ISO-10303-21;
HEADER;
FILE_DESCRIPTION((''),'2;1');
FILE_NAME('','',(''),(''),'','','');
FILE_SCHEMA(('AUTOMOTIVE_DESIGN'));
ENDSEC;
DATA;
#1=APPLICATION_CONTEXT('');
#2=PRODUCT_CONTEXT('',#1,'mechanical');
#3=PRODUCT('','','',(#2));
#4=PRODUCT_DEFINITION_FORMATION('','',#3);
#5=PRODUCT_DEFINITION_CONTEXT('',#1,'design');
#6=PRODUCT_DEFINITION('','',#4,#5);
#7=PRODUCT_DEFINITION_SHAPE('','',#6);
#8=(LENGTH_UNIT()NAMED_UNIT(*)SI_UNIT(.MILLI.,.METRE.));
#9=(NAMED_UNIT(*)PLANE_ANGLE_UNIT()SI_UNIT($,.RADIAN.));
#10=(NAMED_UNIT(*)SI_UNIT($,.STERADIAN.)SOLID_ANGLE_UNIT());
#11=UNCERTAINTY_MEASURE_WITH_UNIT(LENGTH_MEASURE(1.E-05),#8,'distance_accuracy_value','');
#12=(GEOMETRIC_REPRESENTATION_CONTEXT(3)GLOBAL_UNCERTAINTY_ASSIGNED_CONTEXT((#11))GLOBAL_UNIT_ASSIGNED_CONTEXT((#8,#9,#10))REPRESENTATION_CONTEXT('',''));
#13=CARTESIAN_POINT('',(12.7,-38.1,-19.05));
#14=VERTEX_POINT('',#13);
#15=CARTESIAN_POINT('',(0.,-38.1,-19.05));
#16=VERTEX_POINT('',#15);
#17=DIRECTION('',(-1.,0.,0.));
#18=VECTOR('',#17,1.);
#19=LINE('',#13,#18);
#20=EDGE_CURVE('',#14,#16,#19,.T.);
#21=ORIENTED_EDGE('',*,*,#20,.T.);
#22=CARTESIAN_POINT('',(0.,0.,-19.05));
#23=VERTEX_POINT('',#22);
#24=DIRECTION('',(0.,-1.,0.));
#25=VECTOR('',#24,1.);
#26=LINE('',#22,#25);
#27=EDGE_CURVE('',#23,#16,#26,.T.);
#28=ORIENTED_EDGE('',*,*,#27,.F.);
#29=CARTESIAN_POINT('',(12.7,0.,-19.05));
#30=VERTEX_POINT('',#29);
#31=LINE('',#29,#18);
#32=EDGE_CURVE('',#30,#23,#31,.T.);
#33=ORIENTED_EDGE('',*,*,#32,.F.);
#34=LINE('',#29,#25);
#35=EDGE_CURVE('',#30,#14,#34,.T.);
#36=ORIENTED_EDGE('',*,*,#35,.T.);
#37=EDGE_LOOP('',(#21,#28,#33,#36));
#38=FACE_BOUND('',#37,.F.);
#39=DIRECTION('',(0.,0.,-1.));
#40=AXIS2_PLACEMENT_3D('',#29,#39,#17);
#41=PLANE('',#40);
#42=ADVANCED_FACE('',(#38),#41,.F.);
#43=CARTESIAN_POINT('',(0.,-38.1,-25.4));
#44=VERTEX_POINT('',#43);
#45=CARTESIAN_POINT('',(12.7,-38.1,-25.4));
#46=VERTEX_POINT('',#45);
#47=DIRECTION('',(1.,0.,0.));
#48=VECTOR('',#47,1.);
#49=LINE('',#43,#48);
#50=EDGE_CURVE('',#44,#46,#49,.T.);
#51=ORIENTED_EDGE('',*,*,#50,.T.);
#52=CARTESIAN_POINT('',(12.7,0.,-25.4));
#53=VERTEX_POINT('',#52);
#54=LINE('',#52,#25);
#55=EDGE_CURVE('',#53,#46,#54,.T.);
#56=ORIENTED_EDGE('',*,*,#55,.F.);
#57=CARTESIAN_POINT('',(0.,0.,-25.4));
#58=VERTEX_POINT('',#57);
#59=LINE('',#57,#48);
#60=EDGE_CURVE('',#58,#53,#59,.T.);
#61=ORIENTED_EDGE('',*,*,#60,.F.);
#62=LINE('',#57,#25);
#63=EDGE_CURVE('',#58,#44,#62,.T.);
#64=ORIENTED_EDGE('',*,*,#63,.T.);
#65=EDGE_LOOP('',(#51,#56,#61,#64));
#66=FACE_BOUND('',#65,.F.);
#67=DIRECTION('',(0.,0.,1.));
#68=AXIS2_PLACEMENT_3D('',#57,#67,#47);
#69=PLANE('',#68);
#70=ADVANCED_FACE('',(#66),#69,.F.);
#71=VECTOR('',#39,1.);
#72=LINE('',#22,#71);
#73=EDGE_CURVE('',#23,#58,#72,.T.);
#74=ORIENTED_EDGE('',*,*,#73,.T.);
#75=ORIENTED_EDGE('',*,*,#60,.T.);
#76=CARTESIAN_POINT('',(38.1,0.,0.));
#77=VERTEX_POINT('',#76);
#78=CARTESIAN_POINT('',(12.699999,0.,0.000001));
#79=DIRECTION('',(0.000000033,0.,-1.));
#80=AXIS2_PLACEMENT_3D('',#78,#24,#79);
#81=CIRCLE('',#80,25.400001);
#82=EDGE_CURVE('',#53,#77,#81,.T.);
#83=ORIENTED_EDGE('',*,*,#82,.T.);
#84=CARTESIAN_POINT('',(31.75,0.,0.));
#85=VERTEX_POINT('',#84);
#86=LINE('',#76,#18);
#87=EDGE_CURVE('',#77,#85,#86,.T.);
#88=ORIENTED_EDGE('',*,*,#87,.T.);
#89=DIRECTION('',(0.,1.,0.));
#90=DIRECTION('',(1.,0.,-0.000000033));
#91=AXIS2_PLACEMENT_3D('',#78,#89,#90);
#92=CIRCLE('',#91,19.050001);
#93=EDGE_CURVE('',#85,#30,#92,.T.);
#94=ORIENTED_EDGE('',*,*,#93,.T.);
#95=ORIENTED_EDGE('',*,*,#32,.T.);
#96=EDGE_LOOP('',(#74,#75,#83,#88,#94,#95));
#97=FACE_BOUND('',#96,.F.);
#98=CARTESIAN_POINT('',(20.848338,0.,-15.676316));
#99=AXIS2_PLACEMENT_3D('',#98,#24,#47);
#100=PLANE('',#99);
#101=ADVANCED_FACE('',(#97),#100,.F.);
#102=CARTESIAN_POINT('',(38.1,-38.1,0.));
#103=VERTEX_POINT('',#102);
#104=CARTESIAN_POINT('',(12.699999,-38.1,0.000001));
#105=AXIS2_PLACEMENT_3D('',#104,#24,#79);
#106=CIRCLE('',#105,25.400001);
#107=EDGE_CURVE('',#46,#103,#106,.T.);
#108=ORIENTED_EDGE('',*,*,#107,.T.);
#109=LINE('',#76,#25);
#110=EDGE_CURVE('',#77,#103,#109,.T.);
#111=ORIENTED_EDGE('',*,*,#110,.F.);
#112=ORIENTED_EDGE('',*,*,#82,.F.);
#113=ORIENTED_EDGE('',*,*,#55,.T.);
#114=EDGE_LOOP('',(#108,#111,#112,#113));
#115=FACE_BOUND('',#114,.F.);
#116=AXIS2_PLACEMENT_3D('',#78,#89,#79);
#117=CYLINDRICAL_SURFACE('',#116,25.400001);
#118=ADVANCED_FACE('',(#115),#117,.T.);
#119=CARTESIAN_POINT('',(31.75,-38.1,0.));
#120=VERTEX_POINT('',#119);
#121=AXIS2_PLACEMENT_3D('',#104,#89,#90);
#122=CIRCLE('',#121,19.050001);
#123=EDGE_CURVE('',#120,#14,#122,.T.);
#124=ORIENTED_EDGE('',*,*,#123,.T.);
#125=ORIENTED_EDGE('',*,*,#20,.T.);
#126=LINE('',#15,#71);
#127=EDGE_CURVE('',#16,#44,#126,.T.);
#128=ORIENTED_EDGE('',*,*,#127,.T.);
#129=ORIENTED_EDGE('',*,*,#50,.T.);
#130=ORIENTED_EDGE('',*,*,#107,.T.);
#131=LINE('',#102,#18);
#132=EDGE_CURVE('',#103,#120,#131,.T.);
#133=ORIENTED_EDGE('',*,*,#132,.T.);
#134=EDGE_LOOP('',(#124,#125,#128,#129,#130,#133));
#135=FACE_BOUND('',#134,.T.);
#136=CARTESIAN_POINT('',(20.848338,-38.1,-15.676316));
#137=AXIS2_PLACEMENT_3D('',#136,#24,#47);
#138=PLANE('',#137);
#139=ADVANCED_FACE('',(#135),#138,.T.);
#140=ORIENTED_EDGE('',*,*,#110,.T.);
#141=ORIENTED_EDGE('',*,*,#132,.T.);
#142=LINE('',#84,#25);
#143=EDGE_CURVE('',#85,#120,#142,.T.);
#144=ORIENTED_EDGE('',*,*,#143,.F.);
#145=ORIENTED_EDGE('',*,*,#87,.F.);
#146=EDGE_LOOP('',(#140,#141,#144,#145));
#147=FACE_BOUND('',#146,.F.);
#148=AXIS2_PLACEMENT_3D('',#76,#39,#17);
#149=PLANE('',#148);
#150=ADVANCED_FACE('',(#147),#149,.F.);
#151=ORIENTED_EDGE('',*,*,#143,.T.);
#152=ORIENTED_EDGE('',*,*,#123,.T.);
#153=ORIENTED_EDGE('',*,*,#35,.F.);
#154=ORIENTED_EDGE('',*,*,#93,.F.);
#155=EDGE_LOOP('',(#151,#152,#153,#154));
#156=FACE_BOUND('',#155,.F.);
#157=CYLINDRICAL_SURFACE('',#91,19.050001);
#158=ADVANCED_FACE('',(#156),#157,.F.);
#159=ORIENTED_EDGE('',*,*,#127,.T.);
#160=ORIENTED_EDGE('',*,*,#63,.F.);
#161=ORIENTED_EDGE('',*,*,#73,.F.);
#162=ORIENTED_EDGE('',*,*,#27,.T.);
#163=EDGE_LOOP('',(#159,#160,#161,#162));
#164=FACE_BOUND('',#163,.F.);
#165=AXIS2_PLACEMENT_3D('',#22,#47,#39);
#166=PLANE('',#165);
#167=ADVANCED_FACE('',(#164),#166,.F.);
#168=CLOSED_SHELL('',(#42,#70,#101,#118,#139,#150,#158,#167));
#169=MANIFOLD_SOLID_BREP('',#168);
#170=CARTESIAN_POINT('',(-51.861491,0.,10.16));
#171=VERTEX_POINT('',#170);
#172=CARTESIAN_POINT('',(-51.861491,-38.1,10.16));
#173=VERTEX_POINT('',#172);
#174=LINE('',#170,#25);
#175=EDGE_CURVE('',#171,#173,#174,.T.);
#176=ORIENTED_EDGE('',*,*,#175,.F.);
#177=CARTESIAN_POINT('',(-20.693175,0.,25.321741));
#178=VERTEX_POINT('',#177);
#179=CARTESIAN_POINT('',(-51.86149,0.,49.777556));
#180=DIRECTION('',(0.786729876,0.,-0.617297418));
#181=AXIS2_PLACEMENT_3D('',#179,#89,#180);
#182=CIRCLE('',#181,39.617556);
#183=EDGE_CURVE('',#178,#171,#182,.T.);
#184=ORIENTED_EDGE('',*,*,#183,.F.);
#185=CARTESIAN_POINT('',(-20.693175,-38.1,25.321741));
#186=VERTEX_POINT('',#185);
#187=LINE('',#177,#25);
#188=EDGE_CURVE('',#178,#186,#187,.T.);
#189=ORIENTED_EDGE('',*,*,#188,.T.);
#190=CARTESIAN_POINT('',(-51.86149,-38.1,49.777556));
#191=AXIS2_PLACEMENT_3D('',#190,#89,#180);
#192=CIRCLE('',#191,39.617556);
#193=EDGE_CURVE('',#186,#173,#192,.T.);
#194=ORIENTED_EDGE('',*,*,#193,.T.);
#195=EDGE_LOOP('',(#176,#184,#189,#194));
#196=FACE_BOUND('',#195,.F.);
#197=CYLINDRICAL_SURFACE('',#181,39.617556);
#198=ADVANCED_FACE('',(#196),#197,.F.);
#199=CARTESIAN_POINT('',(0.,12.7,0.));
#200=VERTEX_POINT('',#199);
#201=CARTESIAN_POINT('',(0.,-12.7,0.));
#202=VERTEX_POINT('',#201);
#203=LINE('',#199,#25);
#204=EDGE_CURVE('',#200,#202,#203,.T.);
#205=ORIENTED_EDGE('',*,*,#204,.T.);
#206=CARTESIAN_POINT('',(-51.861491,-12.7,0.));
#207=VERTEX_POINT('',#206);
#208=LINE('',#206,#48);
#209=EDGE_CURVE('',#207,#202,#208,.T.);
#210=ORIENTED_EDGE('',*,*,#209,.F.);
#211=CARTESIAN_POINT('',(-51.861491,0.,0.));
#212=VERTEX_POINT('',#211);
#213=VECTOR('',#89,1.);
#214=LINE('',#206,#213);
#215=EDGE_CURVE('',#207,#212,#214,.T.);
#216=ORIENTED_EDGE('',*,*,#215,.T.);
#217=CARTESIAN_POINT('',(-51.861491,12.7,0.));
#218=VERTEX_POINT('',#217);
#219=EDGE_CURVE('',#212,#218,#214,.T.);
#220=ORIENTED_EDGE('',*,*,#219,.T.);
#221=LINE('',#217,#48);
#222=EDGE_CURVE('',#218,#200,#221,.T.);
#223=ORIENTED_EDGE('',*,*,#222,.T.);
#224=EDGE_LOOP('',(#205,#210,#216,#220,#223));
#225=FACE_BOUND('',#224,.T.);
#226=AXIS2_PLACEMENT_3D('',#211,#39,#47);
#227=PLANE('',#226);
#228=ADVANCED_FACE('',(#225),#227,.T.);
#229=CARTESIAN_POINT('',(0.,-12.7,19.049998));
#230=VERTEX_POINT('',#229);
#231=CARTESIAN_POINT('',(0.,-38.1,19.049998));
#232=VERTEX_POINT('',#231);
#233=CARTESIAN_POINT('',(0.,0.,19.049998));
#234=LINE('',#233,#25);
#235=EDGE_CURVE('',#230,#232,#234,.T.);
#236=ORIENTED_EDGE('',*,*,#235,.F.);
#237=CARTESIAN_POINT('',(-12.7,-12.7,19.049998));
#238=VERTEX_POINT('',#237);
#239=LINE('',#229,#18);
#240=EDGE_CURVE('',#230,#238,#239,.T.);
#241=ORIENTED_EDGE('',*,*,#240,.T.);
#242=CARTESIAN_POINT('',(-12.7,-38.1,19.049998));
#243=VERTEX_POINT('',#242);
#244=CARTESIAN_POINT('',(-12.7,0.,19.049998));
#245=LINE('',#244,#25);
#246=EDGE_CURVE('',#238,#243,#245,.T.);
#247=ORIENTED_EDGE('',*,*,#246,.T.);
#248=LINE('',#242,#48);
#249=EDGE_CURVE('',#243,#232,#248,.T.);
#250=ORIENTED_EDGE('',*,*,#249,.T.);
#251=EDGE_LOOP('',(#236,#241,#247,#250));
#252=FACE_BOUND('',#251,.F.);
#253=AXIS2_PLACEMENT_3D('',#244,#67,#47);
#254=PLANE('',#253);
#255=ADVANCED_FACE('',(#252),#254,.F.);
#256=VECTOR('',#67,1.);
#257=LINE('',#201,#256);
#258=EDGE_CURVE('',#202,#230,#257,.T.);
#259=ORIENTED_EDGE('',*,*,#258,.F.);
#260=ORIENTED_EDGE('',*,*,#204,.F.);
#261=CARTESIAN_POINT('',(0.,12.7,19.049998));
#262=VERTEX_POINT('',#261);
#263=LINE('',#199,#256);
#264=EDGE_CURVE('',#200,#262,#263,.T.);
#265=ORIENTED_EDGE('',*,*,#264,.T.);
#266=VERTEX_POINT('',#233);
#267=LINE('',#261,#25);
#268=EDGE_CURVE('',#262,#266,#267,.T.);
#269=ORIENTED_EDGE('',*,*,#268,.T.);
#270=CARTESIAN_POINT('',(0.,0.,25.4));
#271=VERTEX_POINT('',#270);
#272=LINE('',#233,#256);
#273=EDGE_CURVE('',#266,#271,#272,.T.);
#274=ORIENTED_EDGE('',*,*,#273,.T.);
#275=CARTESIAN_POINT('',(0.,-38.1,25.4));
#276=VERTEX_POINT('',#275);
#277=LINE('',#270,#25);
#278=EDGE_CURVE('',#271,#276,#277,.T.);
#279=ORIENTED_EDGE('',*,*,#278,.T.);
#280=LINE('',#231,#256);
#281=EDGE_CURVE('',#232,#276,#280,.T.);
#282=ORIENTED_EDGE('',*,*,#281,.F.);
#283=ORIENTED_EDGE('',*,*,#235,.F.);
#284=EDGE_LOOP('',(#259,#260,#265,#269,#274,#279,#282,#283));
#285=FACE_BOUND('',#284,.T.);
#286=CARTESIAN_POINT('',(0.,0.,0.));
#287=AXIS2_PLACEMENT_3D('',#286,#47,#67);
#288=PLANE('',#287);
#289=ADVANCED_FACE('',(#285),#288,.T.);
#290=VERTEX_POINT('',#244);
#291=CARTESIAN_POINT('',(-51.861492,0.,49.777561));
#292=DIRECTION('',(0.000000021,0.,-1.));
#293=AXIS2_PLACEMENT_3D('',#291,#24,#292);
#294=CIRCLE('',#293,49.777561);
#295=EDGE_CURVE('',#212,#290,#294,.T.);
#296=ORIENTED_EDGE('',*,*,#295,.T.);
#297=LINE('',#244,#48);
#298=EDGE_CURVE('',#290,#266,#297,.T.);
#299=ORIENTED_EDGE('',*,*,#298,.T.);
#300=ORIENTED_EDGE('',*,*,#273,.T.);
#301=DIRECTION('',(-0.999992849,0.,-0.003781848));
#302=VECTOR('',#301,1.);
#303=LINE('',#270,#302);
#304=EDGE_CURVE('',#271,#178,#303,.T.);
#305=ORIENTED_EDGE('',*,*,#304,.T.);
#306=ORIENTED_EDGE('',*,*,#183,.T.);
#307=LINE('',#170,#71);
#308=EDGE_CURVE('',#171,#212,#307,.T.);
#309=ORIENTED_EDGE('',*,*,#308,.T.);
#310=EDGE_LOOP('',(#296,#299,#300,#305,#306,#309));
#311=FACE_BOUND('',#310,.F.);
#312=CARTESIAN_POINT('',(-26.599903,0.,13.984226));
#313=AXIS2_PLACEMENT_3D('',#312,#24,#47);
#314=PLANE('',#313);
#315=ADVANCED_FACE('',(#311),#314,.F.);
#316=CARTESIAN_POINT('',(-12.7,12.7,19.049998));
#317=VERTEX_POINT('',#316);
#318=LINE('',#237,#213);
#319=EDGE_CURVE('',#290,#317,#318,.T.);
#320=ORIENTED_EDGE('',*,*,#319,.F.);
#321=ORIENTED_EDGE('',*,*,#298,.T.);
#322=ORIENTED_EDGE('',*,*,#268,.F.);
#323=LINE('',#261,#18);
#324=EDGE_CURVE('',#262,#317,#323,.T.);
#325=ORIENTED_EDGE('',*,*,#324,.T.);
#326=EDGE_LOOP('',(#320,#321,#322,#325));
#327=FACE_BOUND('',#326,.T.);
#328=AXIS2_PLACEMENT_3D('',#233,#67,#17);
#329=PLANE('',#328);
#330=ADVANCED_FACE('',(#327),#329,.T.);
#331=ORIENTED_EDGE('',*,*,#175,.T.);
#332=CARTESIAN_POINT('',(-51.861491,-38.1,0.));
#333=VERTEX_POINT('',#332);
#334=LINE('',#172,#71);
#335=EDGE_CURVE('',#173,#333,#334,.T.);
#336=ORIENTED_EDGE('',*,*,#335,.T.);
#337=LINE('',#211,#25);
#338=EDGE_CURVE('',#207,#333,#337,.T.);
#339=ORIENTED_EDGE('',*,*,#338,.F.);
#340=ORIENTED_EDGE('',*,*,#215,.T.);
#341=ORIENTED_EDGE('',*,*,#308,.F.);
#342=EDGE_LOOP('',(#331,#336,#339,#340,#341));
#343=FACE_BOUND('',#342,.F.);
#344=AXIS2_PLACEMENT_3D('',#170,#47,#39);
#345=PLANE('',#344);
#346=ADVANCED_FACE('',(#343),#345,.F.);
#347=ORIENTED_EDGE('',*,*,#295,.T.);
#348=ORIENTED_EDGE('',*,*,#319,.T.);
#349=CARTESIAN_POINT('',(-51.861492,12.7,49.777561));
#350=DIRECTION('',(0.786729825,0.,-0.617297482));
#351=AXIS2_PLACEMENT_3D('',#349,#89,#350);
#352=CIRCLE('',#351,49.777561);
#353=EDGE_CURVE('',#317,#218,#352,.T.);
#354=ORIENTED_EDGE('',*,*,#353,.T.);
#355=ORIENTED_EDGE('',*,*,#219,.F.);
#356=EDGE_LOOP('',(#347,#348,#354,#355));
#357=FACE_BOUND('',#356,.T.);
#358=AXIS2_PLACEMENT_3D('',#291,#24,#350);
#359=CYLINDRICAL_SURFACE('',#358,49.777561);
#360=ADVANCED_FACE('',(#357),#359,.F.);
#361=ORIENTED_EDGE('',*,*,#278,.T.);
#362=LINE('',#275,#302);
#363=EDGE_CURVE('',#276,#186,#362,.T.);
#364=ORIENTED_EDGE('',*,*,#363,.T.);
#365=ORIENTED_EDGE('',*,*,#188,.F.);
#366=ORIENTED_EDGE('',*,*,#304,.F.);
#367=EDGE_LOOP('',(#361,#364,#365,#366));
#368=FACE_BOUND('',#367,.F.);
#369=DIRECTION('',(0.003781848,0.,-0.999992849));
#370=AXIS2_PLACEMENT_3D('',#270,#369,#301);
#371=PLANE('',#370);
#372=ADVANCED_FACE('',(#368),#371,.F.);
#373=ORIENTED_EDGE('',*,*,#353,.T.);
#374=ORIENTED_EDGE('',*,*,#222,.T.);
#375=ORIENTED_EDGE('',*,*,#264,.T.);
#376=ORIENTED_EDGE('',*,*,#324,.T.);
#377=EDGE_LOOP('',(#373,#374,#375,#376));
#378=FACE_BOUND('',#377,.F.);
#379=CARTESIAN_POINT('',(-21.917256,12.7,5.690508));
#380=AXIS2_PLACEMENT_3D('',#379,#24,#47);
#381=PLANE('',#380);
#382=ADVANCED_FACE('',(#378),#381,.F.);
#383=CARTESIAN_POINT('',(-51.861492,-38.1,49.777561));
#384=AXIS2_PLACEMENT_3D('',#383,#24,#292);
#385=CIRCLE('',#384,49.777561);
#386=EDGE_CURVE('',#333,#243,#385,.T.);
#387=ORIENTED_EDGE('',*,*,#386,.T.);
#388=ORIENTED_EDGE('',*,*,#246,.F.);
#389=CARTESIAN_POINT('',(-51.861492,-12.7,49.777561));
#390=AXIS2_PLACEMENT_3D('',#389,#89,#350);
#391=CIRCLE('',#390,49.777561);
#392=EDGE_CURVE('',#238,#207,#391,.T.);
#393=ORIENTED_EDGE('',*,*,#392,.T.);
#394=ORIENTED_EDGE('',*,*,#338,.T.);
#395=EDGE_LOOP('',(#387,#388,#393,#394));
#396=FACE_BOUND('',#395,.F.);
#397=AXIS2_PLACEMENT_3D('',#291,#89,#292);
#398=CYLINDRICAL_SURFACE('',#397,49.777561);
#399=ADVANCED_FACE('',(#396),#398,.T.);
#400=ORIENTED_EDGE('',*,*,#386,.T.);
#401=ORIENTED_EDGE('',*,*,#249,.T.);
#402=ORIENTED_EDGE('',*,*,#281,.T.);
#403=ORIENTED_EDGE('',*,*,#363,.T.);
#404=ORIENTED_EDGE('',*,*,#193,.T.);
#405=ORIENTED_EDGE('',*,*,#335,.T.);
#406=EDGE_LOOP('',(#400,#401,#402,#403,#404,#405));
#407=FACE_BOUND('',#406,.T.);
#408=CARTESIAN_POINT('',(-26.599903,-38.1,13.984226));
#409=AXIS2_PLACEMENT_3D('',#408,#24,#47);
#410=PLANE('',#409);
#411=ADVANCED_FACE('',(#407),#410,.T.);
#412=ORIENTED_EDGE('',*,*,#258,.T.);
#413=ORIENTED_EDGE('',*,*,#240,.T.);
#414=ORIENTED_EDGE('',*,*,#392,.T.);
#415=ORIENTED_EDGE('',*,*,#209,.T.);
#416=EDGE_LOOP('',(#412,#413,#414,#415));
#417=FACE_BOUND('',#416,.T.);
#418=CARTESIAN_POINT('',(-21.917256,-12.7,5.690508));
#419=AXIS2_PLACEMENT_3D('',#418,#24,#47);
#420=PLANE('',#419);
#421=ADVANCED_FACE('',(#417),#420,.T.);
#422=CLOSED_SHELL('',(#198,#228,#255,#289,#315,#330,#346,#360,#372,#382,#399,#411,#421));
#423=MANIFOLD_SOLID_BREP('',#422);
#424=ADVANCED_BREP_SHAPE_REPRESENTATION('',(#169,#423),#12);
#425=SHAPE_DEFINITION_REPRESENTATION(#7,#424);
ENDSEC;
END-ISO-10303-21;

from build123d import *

# Parameters (mm, degrees)
F1_DEPTH = 12.7
F2_DEPTH = 38.1


with BuildPart() as f1:
    # F0 (on Front) → F1 (new body, symmetric)
    with BuildSketch(Plane.XZ):
        with BuildLine():
            Line((-51.861491, 0), (0, 0))
            Line((0, 0), (0, 19.049998))
            Line((0, 19.049998), (-12.7, 19.049998))
            ThreePointArc((-12.7, 19.049998), (-30.086937, 5.01514), (-51.861491, 0))
        make_face()
    extrude(amount=F1_DEPTH, both=True)

    # F0 (on Front) → F2 (join)
    with BuildSketch(Plane.XZ):
        with BuildLine():
            Line((-51.861491, 10.16), (-51.861491, 0))
            ThreePointArc((-51.861491, 0), (-30.086937, 5.01514), (-12.7, 19.049998))
            Line((-12.7, 19.049998), (0, 19.049998))
            Line((0, 19.049998), (0, 25.4))
            Line((0, 25.4), (-20.693175, 25.321741))
            ThreePointArc((-20.693175, 25.321741), (-34.531299, 14.151509), (-51.861491, 10.16))
        make_face()
        with BuildLine():
            Line((12.7, -19.05), (0, -19.05))
            Line((0, -19.05), (0, -25.4))
            Line((0, -25.4), (12.7, -25.4))
            ThreePointArc((12.7, -25.4), (30.660512, -17.960512), (38.1, 0))
            Line((38.1, 0), (31.75, 0))
            ThreePointArc((31.75, 0), (26.170384, -13.470384), (12.7, -19.05))
        make_face()
    extrude(amount=F2_DEPTH)


solid = f1.part
